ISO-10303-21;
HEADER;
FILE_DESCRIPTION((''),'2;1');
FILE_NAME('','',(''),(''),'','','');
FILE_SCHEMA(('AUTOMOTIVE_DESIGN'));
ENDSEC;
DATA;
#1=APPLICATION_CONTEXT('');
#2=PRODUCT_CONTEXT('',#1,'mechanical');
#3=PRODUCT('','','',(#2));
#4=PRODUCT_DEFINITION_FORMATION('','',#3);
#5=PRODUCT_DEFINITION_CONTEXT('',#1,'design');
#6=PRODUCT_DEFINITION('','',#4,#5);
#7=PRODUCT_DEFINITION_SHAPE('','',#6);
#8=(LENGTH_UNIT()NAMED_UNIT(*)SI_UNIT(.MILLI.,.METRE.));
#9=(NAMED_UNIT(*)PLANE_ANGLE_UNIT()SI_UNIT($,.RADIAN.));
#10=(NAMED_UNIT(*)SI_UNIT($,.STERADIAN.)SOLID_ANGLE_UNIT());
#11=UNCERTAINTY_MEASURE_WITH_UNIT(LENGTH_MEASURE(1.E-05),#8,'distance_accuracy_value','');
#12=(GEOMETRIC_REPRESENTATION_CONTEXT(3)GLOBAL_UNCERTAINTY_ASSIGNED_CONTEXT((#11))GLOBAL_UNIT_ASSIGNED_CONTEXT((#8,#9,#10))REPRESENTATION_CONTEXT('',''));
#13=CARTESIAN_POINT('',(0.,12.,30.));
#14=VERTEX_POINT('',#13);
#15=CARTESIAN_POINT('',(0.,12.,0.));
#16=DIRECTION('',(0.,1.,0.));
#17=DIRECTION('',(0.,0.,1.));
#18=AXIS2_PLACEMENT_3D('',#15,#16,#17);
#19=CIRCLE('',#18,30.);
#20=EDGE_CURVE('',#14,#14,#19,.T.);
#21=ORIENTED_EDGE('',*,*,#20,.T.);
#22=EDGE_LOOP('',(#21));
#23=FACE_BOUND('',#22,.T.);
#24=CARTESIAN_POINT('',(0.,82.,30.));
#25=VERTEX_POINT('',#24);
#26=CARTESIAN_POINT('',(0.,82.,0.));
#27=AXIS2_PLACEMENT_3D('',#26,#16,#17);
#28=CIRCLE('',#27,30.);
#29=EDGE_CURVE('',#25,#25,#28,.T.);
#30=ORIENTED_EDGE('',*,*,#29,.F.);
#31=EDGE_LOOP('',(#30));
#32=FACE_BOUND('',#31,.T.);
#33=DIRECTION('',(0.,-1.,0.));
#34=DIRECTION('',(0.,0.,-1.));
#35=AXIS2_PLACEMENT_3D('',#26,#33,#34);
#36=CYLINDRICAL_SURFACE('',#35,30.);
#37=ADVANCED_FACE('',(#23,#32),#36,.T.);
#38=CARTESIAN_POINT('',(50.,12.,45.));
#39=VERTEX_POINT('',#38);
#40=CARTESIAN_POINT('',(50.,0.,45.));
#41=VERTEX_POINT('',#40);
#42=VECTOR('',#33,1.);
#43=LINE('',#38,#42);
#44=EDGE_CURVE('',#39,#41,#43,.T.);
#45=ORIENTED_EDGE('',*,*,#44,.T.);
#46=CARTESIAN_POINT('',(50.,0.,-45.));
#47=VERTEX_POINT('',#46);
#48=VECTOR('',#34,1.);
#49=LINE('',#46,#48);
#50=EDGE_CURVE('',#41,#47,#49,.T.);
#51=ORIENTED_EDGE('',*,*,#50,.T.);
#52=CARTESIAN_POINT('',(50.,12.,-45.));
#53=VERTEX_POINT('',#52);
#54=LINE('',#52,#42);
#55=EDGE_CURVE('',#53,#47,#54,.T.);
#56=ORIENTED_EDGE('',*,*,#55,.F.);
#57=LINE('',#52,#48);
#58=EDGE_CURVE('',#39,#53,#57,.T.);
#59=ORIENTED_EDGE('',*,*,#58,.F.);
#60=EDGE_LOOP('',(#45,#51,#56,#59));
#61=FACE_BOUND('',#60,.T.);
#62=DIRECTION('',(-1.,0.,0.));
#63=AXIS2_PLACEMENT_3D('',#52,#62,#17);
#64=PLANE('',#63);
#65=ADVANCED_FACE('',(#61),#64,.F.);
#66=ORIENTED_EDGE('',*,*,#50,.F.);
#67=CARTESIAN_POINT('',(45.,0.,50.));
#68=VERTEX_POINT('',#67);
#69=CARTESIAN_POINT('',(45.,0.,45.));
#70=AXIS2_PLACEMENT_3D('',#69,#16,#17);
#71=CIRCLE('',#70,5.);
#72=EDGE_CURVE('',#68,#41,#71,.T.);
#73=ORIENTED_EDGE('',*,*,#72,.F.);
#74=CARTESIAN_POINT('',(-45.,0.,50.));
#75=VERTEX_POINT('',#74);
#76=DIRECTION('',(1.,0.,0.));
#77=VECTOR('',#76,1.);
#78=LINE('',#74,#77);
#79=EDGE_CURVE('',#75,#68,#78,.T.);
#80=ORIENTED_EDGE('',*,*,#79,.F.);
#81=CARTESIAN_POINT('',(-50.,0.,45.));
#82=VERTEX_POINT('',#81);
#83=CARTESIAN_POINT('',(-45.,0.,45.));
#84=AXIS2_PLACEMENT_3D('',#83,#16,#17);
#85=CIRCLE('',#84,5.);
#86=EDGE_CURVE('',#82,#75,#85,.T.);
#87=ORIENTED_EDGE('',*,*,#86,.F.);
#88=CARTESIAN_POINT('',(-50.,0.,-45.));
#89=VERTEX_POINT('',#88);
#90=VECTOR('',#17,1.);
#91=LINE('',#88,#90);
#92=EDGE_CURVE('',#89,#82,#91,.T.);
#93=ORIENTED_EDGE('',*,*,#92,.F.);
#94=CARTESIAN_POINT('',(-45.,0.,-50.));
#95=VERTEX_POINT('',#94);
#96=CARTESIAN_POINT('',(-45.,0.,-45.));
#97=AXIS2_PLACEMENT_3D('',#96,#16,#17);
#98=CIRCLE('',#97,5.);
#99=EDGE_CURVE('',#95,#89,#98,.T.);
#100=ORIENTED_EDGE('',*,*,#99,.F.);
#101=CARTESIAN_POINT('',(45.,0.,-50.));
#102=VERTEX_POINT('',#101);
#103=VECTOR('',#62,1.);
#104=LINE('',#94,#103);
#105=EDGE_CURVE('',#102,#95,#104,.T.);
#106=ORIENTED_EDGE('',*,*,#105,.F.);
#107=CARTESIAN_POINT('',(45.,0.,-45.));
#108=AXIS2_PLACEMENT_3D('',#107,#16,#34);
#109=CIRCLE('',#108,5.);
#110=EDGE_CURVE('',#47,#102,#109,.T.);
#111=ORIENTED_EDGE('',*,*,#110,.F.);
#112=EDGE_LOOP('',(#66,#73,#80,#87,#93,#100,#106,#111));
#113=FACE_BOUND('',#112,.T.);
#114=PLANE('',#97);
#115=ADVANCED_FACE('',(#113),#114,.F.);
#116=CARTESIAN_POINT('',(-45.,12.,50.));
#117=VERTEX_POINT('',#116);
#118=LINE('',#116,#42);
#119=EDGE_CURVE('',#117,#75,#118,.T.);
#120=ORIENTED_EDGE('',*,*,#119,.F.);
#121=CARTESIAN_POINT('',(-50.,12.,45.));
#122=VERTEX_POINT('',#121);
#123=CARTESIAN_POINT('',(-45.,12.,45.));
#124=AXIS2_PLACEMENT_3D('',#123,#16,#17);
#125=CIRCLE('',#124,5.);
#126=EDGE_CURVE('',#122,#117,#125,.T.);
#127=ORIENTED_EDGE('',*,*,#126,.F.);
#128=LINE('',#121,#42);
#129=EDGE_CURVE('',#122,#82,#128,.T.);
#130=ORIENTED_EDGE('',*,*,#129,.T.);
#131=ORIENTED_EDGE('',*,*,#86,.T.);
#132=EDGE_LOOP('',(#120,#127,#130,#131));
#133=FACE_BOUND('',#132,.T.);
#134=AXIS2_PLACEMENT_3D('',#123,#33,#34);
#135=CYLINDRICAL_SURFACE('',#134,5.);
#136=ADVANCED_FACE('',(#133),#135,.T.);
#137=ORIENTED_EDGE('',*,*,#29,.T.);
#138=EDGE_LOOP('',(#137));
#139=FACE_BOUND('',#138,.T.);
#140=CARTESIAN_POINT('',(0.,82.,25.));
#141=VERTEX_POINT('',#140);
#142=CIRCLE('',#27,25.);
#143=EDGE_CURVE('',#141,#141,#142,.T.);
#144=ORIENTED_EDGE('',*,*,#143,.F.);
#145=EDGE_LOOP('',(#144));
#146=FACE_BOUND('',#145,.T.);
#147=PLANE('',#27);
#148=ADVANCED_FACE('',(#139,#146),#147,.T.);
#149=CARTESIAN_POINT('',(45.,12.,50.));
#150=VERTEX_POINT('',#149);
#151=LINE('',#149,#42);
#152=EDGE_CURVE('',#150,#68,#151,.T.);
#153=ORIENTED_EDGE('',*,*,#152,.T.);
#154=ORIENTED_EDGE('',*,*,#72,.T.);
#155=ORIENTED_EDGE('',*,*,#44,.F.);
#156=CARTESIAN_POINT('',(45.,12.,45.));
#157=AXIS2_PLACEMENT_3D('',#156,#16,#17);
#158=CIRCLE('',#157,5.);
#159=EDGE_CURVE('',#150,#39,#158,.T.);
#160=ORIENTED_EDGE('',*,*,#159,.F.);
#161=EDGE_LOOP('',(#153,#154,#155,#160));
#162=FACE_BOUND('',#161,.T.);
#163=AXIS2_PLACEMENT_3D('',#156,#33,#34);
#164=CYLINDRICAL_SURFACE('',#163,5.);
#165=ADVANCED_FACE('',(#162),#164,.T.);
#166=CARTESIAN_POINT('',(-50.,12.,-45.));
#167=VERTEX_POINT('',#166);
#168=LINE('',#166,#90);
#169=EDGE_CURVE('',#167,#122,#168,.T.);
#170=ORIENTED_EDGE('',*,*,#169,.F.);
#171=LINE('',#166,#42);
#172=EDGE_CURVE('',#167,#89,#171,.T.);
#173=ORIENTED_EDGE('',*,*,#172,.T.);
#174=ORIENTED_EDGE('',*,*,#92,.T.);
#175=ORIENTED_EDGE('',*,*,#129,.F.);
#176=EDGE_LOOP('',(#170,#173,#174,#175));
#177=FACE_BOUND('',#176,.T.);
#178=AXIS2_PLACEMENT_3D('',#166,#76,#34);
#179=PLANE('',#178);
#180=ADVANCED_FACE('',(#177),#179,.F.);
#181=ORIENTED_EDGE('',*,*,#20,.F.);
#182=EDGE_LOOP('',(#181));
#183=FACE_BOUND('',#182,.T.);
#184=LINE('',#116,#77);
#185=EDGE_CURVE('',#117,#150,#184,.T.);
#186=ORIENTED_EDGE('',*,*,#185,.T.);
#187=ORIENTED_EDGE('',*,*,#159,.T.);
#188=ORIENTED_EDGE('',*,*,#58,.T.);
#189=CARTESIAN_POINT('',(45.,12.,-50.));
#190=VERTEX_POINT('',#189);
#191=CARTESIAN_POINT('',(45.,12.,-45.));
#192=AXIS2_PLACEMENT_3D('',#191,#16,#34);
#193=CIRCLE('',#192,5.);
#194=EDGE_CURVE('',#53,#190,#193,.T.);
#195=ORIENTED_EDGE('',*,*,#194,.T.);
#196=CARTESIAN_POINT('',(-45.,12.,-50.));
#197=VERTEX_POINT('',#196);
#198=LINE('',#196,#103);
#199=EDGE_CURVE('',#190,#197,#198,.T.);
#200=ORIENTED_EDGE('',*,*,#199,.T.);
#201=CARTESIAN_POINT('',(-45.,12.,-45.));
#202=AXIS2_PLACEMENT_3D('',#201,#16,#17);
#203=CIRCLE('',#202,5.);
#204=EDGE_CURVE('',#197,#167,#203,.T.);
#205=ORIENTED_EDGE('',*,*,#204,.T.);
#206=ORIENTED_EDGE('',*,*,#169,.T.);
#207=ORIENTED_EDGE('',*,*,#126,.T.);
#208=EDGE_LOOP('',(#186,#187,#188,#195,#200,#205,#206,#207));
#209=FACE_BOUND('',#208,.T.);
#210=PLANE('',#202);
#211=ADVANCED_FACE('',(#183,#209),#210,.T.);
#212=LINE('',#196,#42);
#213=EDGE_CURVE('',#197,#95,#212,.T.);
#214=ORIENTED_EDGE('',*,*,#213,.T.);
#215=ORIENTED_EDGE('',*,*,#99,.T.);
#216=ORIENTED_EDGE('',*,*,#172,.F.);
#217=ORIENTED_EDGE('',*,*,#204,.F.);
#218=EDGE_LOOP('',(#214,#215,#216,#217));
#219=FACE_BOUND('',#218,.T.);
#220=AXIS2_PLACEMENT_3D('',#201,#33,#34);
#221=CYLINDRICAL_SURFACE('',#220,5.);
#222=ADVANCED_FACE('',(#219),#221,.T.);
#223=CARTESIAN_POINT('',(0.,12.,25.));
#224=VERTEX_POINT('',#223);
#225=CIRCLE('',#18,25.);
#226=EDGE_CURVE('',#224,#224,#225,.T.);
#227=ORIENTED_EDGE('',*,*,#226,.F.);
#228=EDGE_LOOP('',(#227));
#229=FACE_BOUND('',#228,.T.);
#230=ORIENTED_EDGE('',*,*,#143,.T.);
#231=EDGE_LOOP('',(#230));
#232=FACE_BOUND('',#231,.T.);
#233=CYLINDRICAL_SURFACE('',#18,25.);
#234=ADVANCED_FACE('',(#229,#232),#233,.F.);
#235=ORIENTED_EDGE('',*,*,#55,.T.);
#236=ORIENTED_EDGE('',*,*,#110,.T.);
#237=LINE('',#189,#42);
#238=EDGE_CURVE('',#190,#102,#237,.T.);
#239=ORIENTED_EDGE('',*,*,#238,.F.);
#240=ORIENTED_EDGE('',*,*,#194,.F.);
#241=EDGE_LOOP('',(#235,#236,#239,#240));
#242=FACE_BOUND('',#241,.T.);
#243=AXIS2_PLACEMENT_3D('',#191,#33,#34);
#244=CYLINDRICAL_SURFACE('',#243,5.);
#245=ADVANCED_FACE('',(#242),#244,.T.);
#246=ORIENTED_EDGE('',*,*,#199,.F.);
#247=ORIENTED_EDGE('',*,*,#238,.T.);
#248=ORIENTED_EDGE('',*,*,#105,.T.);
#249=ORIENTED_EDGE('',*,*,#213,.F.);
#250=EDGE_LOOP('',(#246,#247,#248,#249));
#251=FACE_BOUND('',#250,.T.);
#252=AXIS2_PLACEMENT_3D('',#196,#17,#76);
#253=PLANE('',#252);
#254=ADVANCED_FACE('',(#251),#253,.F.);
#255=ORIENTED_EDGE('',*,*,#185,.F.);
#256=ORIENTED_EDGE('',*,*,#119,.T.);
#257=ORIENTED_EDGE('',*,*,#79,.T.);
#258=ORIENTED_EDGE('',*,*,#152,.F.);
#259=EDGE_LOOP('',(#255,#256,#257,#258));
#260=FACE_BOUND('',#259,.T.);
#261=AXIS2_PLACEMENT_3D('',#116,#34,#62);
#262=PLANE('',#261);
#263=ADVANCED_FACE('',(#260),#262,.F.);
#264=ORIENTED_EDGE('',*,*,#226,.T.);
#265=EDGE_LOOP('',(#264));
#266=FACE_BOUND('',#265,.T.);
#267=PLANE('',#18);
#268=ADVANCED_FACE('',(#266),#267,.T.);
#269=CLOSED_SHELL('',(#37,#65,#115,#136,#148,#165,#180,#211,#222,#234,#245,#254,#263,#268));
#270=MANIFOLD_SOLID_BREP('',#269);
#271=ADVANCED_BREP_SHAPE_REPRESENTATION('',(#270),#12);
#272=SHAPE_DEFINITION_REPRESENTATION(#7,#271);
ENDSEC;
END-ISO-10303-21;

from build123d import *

# Parameters (mm, degrees)
BOSS_EXTRUDE1_DEPTH = 12
SKETCH3_R           = 30
BOSS_EXTRUDE2_DEPTH = 70
SKETCH4_R           = 25
CUT_EXTRUDE1_DEPTH  = 70


with BuildPart() as part:
    # Sketch1 → Boss-Extrude1 (new body)
    with BuildSketch(Plane(origin=(0, 0, 0), x_dir=(1, 0, 0), z_dir=(0, 1, 0))):
        with BuildLine():
            Line((-45, 50), (45, 50))
            ThreePointArc((45, 50), (48.535533906, 48.535533906), (50, 45))
            Line((50, 45), (50, -45))
            ThreePointArc((50, -45), (48.535533906, -48.535533906), (45, -50))
            Line((45, -50), (-45, -50))
            ThreePointArc((-45, -50), (-48.535533906, -48.535533906), (-50, -45))
            Line((-50, -45), (-50, 45))
            ThreePointArc((-50, 45), (-48.535533906, 48.535533906), (-45, 50))
        make_face()
    extrude(amount=BOSS_EXTRUDE1_DEPTH)

    # Sketch3 → Boss-Extrude2 (add)
    with BuildSketch(Plane(origin=(0, 12, 0), x_dir=(1, 0, 0), z_dir=(0, 1, 0))):
        with Locations(Location((0, 0, 0), (0, 0, 270))):
            Circle(SKETCH3_R)
    extrude(amount=BOSS_EXTRUDE2_DEPTH)

    # Sketch4 → Cut-Extrude1 (cut)
    with BuildSketch(Plane(origin=(0, 82, 0), x_dir=(1, 0, 0), z_dir=(0, 1, 0))):
        with Locations(Location((0, 0, 0), (0, 0, 270))):
            Circle(SKETCH4_R)
    extrude(amount=-CUT_EXTRUDE1_DEPTH, mode=Mode.SUBTRACT)


solid = part.part
